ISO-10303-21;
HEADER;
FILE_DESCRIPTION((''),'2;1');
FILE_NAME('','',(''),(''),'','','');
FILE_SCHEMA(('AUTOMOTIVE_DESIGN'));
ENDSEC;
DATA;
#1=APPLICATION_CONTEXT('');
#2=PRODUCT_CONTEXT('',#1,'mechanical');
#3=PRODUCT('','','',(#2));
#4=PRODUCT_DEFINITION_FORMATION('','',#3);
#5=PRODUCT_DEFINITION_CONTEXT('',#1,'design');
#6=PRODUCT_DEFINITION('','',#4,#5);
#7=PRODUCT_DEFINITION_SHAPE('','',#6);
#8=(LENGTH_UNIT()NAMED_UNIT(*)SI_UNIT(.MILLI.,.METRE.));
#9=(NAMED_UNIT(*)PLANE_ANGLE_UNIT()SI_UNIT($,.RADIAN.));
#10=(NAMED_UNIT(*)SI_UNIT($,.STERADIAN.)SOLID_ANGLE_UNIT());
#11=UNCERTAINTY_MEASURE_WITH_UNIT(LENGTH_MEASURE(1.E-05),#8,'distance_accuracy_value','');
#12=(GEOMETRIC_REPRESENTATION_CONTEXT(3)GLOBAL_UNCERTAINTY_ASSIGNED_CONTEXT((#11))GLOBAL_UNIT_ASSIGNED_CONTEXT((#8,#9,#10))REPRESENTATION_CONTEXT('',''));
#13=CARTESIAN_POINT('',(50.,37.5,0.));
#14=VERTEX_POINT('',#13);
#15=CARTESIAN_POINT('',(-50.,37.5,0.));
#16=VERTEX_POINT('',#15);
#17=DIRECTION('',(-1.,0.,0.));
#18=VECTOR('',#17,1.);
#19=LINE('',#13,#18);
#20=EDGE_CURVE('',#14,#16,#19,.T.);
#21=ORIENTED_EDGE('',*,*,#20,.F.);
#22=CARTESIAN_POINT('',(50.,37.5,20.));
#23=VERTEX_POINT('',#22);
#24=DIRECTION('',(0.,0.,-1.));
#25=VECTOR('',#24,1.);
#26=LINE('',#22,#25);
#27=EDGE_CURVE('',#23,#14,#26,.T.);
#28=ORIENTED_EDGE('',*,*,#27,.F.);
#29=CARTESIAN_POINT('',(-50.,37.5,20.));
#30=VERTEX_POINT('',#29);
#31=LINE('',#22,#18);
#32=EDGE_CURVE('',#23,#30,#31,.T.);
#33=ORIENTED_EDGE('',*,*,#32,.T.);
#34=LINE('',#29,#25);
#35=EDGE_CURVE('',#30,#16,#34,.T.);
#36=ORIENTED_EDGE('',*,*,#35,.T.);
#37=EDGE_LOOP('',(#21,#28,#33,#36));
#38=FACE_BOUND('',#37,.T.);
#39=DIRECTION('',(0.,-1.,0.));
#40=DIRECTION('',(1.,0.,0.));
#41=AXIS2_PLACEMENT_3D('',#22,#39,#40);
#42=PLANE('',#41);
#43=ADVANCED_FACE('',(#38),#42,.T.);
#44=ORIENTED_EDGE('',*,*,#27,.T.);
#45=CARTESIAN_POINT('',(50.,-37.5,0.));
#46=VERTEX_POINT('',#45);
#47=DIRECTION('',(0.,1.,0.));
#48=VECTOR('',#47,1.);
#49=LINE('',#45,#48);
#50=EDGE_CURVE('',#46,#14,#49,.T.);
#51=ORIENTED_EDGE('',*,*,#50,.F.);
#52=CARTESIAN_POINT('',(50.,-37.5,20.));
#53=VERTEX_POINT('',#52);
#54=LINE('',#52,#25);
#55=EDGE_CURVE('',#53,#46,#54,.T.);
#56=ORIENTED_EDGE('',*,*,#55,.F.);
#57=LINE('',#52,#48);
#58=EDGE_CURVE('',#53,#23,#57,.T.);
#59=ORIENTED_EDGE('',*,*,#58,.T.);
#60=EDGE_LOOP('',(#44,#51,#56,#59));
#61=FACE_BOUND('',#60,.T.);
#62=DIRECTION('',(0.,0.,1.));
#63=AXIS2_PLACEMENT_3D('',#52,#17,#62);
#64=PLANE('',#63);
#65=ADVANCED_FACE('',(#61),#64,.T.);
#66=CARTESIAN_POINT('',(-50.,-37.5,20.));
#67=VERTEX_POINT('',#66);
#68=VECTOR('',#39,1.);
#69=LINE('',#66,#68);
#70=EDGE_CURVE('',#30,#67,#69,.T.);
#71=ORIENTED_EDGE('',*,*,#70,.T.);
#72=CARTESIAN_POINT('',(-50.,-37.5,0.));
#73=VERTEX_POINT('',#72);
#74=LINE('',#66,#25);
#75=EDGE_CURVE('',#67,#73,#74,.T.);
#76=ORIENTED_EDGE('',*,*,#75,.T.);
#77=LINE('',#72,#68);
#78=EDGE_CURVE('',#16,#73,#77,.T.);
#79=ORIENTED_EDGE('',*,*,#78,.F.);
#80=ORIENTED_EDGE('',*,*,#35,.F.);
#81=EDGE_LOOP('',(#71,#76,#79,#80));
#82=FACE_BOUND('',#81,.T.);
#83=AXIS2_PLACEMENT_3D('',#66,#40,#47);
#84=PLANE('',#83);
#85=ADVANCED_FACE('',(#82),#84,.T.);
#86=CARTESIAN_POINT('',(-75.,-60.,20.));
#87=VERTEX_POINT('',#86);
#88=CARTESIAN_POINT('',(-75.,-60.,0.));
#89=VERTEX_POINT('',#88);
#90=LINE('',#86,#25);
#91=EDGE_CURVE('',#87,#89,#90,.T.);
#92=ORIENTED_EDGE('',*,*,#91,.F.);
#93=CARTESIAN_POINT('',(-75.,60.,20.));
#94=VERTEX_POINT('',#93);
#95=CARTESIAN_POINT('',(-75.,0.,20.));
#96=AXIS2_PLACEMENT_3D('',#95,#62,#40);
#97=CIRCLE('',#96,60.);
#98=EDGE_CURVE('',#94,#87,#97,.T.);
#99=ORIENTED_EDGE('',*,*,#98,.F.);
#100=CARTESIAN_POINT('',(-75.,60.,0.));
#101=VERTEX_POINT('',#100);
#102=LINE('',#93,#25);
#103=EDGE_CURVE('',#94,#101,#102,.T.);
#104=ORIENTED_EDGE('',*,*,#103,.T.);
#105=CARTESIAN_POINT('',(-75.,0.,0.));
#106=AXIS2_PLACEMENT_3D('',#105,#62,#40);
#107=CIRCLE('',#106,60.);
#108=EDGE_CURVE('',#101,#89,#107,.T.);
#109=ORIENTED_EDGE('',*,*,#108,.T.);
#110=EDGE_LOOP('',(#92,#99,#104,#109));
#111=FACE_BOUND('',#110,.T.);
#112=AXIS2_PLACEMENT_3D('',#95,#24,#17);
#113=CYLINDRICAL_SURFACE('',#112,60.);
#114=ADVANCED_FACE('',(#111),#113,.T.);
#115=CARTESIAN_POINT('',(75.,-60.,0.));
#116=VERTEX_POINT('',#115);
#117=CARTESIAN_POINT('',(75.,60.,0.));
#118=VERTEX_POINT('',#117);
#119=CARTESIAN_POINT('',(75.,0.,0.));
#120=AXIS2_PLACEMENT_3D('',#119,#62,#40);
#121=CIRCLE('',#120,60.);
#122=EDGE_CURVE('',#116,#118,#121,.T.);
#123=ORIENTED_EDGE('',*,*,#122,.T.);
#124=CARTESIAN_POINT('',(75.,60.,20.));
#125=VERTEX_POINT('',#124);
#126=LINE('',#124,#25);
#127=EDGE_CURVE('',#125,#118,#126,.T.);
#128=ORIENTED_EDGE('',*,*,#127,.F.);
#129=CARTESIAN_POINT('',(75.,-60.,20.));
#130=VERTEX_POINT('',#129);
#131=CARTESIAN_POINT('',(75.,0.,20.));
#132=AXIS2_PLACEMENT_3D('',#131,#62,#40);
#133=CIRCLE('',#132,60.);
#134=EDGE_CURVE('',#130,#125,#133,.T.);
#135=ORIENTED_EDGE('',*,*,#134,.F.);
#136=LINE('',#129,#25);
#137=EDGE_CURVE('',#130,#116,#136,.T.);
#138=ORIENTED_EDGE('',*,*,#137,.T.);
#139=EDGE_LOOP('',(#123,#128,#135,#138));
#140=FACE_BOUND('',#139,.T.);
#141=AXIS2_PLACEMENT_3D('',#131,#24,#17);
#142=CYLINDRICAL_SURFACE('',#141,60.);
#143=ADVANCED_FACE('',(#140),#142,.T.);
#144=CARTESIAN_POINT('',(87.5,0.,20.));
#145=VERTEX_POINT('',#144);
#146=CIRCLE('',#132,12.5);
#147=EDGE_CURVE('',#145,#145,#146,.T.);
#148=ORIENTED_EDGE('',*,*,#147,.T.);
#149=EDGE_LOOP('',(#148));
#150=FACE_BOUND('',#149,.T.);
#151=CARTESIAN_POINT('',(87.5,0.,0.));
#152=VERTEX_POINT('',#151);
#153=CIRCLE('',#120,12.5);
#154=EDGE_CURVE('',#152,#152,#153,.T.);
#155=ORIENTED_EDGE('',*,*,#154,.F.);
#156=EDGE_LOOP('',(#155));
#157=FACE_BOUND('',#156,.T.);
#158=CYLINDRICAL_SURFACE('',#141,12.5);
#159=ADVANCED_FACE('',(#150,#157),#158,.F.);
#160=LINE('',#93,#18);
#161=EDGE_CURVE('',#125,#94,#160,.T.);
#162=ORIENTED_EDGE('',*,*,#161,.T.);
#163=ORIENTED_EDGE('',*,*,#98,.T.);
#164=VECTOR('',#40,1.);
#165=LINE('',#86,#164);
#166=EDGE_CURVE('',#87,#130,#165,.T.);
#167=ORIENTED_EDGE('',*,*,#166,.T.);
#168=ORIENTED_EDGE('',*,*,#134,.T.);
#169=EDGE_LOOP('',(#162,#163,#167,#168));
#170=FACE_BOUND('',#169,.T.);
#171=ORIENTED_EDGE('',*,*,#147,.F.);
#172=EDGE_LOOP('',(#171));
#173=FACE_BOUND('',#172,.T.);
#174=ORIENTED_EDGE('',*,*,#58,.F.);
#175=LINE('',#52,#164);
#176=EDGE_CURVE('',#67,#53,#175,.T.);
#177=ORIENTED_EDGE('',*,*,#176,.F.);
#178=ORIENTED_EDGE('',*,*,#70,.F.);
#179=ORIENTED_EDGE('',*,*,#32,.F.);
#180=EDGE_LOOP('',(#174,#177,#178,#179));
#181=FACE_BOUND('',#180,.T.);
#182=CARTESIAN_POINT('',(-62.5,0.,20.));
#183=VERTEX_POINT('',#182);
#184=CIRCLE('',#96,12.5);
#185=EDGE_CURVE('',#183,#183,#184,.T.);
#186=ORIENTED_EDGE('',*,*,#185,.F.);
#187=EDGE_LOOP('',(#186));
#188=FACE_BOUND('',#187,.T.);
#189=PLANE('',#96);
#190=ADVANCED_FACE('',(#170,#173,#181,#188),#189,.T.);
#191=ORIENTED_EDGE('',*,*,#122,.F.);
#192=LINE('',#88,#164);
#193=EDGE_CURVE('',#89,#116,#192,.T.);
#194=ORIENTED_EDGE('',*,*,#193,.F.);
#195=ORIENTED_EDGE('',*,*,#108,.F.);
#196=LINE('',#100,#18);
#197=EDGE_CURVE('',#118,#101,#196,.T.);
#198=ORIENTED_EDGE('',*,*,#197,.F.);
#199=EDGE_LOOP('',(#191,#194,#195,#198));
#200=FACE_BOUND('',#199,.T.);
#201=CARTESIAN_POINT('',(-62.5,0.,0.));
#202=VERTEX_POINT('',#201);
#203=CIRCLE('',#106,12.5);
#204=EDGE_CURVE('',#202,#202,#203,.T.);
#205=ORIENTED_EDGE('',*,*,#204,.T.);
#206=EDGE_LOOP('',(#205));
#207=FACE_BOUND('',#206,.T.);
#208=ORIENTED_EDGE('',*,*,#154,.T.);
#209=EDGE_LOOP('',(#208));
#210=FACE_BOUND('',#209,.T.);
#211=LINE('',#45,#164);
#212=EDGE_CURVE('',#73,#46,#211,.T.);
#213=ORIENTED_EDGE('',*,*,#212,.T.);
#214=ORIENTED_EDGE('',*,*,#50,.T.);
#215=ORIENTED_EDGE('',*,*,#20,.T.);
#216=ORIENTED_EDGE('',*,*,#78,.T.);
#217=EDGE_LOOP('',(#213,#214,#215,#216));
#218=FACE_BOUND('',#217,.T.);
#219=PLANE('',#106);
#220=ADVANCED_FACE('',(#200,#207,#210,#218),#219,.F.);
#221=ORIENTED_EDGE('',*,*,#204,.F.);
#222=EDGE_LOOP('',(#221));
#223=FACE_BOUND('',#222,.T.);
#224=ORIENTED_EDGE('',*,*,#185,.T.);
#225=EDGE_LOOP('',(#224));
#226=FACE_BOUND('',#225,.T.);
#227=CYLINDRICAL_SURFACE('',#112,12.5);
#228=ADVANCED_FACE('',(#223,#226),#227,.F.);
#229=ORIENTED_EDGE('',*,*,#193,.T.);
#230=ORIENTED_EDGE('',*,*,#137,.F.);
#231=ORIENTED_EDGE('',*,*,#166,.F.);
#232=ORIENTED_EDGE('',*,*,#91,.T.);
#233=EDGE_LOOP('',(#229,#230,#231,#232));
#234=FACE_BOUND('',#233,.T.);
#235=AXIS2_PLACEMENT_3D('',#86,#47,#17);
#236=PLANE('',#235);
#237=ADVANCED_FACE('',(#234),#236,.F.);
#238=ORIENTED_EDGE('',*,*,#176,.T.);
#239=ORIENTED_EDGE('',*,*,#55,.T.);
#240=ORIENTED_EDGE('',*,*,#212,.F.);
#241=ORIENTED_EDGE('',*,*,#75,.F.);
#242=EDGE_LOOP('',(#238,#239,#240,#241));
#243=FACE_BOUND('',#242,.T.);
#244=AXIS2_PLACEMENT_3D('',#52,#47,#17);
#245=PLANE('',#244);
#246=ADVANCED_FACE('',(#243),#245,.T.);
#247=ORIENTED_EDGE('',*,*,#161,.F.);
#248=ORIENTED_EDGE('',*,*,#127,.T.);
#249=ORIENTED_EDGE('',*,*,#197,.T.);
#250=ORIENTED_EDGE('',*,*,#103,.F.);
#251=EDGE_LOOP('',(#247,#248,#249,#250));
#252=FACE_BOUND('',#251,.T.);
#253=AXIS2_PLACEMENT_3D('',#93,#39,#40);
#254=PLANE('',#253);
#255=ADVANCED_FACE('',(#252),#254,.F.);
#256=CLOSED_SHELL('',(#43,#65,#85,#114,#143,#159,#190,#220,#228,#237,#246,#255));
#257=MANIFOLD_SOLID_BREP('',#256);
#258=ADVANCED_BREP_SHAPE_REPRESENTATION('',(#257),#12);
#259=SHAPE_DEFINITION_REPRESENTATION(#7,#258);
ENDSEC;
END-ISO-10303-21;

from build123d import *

# Parameters (mm, degrees)
SKETCH1_R           = 12.5
SKETCH1_W           = 100
SKETCH1_H           = 75
BOSS_EXTRUDE1_DEPTH = 20


with BuildPart() as part:
    # Sketch1 → Boss-Extrude1 (new body)
    with BuildSketch(Plane.XY):
        with BuildLine():
            Line((-75, 60), (75, 60))
            ThreePointArc((75, 60), (135, 0), (75, -60))
            Line((75, -60), (-75, -60))
            ThreePointArc((-75, -60), (-135, 0), (-75, 60))
        make_face()
        with Locations((75, 0)):
            Circle(SKETCH1_R, mode=Mode.SUBTRACT)
        with Locations((-75, 0)):
            Circle(SKETCH1_R, mode=Mode.SUBTRACT)
        Rectangle(SKETCH1_W, SKETCH1_H, mode=Mode.SUBTRACT)
    extrude(amount=BOSS_EXTRUDE1_DEPTH)


solid = part.part
